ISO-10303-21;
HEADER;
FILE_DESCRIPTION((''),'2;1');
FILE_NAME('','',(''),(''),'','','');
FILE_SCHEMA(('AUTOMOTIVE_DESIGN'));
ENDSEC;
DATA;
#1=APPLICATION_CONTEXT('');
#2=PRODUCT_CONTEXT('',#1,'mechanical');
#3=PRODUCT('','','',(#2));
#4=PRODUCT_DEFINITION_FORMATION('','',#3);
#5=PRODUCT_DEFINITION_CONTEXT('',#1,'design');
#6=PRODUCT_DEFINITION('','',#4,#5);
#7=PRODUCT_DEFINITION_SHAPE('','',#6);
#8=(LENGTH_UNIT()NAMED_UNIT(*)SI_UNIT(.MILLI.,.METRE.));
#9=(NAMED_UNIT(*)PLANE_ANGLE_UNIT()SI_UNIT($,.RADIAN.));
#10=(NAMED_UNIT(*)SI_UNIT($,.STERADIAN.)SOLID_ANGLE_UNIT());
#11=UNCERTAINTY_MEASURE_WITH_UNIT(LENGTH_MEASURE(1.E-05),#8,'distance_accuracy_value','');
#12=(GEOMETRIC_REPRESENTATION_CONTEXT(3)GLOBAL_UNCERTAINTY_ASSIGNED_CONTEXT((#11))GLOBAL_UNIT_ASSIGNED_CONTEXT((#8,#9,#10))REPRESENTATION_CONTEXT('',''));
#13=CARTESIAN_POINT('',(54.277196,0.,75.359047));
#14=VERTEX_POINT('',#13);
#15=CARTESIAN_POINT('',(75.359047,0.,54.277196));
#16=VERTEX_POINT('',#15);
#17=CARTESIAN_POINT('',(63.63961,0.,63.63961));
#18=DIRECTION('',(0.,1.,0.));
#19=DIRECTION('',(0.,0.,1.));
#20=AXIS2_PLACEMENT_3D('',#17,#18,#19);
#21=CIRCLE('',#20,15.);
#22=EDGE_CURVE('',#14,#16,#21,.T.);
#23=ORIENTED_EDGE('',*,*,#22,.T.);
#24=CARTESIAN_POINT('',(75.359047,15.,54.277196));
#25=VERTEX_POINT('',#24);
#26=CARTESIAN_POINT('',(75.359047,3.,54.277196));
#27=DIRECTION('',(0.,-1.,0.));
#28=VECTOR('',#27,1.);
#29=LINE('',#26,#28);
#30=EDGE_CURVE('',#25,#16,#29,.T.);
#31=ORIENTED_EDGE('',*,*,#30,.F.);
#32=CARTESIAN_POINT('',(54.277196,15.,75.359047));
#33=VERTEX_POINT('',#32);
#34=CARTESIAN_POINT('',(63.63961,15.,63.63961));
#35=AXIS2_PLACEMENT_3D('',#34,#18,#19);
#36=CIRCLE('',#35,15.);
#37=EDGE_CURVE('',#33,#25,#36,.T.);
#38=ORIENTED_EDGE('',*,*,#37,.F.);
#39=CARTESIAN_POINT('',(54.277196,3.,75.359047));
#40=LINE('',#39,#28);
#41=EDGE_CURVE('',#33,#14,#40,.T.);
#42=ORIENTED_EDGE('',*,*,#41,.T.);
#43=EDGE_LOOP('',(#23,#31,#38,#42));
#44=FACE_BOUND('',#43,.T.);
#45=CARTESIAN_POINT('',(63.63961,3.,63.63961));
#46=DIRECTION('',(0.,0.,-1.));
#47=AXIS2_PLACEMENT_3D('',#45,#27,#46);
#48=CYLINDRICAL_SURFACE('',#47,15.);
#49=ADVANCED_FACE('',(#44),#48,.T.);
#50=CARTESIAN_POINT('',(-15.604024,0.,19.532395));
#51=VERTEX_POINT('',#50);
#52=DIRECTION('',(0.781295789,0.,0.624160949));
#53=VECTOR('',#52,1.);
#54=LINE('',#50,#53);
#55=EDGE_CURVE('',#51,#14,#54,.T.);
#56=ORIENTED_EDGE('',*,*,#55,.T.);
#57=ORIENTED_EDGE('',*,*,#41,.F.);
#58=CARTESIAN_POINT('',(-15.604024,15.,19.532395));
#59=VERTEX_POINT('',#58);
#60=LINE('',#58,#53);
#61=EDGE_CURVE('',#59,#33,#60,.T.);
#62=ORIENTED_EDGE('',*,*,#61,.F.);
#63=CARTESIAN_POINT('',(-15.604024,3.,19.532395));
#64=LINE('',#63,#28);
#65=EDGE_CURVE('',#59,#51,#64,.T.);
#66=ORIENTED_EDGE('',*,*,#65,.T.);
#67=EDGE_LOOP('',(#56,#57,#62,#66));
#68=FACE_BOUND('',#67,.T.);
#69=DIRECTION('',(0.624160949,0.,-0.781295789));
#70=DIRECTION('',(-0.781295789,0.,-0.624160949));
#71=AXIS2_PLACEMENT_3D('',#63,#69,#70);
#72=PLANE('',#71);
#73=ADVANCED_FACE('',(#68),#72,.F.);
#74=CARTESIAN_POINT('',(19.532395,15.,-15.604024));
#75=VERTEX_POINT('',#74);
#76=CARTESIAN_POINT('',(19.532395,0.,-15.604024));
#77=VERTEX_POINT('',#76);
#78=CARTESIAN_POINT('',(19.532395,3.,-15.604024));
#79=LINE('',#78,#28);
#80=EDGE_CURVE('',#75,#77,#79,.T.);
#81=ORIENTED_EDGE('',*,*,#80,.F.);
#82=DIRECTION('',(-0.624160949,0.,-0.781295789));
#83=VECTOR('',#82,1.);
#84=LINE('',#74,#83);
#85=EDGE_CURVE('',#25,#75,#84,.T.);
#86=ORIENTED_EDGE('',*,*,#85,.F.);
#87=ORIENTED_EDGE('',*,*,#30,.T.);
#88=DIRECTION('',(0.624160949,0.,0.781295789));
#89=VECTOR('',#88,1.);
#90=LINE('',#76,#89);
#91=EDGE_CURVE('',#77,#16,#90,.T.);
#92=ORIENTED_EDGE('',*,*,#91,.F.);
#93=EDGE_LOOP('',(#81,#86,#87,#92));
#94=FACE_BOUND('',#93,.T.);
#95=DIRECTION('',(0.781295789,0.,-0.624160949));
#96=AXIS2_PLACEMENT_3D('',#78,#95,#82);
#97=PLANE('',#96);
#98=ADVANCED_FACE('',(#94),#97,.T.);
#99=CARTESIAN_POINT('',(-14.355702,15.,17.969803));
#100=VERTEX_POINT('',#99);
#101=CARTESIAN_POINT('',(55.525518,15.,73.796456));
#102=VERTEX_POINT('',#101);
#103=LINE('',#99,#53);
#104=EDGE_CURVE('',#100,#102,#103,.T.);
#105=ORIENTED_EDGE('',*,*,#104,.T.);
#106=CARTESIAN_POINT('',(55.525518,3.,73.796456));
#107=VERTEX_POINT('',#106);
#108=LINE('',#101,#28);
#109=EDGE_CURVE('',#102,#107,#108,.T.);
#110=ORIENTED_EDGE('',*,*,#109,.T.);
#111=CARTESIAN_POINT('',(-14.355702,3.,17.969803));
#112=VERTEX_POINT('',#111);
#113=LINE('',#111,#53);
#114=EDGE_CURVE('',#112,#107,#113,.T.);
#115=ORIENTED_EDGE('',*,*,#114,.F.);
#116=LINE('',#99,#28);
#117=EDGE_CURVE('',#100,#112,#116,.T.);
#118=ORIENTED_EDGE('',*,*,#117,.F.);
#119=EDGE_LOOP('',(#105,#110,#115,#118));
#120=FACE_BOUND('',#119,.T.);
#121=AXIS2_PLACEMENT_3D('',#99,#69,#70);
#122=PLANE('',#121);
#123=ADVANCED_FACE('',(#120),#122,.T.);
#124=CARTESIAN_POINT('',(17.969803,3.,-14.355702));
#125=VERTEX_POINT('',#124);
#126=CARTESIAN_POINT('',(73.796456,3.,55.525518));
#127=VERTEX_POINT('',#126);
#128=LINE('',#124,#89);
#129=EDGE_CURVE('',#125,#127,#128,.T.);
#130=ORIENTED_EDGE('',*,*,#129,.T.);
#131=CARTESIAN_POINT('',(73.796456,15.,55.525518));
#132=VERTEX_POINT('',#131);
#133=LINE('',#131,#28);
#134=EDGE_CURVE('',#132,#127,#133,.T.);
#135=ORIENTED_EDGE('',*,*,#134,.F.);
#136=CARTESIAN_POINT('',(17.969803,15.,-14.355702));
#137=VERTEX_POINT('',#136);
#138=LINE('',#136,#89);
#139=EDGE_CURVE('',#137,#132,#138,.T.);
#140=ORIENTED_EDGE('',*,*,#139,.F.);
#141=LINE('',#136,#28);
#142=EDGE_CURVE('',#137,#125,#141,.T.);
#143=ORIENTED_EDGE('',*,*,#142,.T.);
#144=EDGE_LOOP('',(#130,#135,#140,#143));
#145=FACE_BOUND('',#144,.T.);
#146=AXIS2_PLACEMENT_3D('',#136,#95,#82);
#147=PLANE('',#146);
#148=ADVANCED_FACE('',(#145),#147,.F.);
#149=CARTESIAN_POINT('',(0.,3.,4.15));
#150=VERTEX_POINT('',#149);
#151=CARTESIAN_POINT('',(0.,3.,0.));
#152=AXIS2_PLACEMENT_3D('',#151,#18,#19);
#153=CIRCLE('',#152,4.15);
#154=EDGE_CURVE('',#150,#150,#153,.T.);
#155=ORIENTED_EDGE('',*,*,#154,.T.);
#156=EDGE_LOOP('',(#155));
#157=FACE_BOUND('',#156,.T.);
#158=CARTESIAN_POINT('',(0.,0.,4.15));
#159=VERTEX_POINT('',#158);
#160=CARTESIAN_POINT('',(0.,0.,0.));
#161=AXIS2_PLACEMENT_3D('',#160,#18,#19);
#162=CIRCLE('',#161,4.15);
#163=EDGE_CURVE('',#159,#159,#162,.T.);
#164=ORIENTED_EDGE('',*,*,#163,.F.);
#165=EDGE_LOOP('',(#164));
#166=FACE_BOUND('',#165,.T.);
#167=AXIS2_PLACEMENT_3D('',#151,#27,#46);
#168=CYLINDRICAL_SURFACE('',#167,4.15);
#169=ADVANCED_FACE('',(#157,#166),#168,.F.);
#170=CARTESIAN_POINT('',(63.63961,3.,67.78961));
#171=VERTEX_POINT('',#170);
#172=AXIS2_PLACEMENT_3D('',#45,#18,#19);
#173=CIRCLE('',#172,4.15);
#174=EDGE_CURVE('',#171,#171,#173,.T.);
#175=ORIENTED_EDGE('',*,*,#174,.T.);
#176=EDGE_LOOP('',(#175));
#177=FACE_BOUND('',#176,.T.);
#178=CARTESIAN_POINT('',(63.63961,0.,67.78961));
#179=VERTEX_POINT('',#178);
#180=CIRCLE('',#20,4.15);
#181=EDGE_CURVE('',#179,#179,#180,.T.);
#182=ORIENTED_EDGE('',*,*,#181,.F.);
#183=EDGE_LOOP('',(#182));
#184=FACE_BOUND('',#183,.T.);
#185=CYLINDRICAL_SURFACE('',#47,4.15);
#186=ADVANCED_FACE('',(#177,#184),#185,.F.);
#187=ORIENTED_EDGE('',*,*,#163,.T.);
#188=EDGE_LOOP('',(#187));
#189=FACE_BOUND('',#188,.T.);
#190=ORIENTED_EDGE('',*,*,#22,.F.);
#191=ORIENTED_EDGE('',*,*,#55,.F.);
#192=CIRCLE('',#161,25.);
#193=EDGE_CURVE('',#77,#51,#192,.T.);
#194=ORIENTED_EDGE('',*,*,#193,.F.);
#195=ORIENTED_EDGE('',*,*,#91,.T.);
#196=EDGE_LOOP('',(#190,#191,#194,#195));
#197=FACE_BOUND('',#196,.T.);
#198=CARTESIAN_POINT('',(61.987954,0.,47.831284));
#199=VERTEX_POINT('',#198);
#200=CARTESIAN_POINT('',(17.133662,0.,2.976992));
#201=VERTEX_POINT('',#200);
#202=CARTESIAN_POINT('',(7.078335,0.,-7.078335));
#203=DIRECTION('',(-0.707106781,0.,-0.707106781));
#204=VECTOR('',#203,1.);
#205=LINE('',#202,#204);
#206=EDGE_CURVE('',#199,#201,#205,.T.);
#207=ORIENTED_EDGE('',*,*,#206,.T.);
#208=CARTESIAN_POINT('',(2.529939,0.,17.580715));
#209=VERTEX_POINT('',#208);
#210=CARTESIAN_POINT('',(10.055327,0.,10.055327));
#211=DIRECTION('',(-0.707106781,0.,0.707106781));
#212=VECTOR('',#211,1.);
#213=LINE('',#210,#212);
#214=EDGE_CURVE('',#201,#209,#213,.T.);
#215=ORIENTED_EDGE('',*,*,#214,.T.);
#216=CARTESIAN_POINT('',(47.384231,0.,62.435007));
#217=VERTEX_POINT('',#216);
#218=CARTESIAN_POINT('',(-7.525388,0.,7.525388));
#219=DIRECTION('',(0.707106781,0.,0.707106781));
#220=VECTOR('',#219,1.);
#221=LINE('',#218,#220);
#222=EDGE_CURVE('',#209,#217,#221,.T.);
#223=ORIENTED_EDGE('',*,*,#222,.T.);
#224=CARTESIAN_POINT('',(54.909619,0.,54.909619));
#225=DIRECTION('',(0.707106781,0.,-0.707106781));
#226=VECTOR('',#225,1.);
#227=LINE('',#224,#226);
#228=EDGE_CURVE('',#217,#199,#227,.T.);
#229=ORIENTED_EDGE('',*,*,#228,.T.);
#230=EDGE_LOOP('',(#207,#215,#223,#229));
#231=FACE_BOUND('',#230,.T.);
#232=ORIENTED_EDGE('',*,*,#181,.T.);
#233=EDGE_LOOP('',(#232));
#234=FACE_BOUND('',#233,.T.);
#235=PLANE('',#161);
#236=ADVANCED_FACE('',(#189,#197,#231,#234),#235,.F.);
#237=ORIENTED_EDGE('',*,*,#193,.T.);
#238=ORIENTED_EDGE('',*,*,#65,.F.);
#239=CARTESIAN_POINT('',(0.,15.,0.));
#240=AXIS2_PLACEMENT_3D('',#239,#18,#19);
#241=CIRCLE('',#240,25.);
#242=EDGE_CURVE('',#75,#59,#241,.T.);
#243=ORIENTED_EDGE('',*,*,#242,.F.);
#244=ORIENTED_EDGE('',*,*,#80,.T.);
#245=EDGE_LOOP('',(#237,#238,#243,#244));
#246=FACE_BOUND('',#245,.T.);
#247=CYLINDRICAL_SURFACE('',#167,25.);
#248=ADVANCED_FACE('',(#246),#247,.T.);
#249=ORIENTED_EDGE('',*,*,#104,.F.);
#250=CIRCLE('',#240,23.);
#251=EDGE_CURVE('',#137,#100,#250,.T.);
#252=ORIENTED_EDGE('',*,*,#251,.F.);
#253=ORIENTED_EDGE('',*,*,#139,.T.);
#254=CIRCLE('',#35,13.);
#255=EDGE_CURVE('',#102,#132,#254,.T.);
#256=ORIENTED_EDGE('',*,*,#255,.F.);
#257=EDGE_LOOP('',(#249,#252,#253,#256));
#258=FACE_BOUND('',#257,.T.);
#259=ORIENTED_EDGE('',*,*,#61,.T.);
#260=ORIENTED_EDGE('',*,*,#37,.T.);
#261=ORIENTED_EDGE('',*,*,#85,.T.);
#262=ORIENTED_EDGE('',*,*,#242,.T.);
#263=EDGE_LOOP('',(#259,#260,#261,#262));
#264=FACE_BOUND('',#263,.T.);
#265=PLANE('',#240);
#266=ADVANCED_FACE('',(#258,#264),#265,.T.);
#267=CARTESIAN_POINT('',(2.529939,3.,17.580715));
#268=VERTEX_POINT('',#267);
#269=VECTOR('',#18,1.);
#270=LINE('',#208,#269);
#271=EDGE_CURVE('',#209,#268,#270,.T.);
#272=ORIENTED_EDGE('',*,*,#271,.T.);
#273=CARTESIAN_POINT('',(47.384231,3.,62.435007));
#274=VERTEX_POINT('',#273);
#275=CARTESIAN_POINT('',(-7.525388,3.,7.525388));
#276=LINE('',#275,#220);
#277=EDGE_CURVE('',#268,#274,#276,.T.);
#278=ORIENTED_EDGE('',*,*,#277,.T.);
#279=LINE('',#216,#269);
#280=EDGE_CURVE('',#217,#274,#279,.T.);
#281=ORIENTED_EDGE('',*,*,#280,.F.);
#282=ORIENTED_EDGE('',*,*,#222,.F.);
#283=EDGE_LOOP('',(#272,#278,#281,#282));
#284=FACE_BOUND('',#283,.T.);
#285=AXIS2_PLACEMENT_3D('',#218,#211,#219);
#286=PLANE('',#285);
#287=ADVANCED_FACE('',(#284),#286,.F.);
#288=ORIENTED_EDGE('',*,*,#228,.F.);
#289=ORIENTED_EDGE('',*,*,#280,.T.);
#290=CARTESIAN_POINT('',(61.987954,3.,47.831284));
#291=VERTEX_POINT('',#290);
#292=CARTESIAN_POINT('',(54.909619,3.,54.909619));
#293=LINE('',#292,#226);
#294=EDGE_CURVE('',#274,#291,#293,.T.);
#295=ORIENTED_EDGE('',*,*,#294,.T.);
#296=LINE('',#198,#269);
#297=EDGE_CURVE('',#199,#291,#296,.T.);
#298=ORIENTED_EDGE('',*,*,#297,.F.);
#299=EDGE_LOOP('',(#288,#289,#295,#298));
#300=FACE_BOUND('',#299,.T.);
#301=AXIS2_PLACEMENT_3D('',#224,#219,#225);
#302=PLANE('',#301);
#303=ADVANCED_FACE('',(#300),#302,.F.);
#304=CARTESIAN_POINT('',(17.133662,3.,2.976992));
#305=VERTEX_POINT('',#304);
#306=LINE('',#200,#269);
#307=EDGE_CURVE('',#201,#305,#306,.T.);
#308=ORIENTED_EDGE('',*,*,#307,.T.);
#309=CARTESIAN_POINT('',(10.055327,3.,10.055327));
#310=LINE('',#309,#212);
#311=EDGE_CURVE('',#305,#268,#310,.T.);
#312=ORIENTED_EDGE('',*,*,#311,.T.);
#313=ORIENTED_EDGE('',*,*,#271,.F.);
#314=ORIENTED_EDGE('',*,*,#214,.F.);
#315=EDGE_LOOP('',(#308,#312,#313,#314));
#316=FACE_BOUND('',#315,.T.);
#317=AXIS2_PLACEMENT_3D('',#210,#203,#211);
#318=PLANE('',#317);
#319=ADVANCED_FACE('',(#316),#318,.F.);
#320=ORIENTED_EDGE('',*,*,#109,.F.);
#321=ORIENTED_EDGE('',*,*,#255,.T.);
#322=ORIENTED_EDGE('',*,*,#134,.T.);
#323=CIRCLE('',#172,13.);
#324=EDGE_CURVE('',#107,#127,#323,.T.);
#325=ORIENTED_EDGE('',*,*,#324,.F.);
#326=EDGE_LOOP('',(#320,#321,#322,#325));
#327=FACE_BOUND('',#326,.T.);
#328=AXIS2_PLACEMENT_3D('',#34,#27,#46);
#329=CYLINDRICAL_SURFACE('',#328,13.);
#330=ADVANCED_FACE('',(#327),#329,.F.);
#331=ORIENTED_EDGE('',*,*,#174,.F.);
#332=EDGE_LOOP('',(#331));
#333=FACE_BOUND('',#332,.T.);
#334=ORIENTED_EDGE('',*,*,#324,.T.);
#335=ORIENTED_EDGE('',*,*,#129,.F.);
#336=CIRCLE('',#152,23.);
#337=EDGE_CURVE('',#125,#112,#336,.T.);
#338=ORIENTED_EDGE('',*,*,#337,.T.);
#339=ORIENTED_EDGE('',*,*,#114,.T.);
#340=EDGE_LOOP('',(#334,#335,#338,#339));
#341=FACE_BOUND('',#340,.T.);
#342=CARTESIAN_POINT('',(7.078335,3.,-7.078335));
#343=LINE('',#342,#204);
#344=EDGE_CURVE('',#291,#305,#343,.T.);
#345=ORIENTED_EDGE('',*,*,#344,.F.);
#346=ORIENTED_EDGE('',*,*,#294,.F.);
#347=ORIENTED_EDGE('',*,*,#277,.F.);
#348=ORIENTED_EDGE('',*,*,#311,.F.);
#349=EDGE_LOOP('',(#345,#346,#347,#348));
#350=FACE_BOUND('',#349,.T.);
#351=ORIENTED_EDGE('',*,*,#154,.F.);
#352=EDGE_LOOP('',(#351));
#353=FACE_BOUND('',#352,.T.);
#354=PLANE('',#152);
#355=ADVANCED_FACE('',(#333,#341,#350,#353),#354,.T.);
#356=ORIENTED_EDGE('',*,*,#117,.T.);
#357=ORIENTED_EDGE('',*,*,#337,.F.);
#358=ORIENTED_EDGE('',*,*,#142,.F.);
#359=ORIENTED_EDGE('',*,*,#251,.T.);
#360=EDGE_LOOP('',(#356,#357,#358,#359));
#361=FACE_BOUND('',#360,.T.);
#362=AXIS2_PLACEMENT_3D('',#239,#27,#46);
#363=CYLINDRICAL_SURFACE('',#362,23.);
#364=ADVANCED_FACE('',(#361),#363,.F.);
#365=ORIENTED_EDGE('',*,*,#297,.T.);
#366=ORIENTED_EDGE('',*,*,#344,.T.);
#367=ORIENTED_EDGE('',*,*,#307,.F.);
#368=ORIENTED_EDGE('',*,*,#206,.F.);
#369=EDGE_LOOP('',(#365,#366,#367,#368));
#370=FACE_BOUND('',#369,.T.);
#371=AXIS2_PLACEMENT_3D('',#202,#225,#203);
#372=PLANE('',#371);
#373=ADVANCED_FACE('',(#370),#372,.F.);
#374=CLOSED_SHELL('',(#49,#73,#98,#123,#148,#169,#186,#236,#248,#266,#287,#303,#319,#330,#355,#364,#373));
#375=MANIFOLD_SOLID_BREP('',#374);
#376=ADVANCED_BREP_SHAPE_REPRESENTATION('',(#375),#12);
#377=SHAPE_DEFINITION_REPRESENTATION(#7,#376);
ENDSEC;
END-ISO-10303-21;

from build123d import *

# Parameters (mm, degrees)
SKETCH_1_R          = 4.15
EXTRUDE_1_DEPTH     = 3
EXTRUDE_2_DEPTH     = 12
CUT_EXTRUDE_1_DEPTH = 112.858735101


with BuildPart() as part:
    # 草图1 → 凸台-拉伸1 (new body)
    with BuildSketch(Plane(origin=(0, 0, 0), x_dir=(1, 0, 0), z_dir=(0, 1, 0))):
        with BuildLine():
            ThreePointArc((19.532394726, 15.60402372), (-17.67766953, 17.67766953), (-15.60402372, -19.532394726))
            Line((-15.60402372, -19.532394726), (54.277196075, -75.359047143))
            ThreePointArc((54.277196075, -75.359047143), (74.246212025, -74.246212025), (75.359047143, -54.277196075))
            Line((75.359047143, -54.277196075), (19.532394726, 15.60402372))
        make_face()
        with Locations(Location((0, 0, 0), (0, 0, 270))):
            Circle(SKETCH_1_R, mode=Mode.SUBTRACT)
        with Locations(Location((63.639610307, -63.639610307, 0), (0, 0, 270))):
            Circle(SKETCH_1_R, mode=Mode.SUBTRACT)
    extrude(amount=EXTRUDE_1_DEPTH)

    # 草图3 → 凸台-拉伸2 (add)
    with BuildSketch(Plane(origin=(0, 3, 0), x_dir=(1, 0, 0), z_dir=(0, 1, 0))):
        with BuildLine():
            ThreePointArc((54.277196075, -75.359047143), (74.246212025, -74.246212025), (75.359047143, -54.277196075))
            Line((75.359047143, -54.277196075), (19.532394726, 15.60402372))
            ThreePointArc((19.532394726, 15.60402372), (-17.67766953, 17.67766953), (-15.60402372, -19.532394726))
            Line((-15.60402372, -19.532394726), (54.277196075, -75.359047143))
        make_face()
        with BuildLine():
            Line((17.969803148, 14.355701822), (73.796455565, -55.525517972))
            ThreePointArc((73.796455565, -55.525517972), (72.831998462, -72.831998462), (55.525517972, -73.796455565))
            Line((55.525517972, -73.796455565), (-14.355701822, -17.969803148))
            ThreePointArc((-14.355701822, -17.969803148), (-16.263455967, 16.263455967), (17.969803148, 14.355701822))
        make_face(mode=Mode.SUBTRACT)
    extrude(amount=EXTRUDE_2_DEPTH)

    # 草图4 → 切除-拉伸1 (cut, through all)
    with BuildSketch(Plane(origin=(0, 3, 0), x_dir=(1, 0, 0), z_dir=(0, 1, 0))):
        Polygon((17.133662373, -2.976992155), (10.055327264, -10.055327264), (54.909619217, -54.909619217), (61.987954325, -47.831284108), align=None)
        Polygon((54.909619217, -54.909619217), (10.055327264, -10.055327264), (2.529939412, -17.580715117), (47.384231364, -62.435007069), align=None)
    extrude(amount=-CUT_EXTRUDE_1_DEPTH, mode=Mode.SUBTRACT)


solid = part.part
